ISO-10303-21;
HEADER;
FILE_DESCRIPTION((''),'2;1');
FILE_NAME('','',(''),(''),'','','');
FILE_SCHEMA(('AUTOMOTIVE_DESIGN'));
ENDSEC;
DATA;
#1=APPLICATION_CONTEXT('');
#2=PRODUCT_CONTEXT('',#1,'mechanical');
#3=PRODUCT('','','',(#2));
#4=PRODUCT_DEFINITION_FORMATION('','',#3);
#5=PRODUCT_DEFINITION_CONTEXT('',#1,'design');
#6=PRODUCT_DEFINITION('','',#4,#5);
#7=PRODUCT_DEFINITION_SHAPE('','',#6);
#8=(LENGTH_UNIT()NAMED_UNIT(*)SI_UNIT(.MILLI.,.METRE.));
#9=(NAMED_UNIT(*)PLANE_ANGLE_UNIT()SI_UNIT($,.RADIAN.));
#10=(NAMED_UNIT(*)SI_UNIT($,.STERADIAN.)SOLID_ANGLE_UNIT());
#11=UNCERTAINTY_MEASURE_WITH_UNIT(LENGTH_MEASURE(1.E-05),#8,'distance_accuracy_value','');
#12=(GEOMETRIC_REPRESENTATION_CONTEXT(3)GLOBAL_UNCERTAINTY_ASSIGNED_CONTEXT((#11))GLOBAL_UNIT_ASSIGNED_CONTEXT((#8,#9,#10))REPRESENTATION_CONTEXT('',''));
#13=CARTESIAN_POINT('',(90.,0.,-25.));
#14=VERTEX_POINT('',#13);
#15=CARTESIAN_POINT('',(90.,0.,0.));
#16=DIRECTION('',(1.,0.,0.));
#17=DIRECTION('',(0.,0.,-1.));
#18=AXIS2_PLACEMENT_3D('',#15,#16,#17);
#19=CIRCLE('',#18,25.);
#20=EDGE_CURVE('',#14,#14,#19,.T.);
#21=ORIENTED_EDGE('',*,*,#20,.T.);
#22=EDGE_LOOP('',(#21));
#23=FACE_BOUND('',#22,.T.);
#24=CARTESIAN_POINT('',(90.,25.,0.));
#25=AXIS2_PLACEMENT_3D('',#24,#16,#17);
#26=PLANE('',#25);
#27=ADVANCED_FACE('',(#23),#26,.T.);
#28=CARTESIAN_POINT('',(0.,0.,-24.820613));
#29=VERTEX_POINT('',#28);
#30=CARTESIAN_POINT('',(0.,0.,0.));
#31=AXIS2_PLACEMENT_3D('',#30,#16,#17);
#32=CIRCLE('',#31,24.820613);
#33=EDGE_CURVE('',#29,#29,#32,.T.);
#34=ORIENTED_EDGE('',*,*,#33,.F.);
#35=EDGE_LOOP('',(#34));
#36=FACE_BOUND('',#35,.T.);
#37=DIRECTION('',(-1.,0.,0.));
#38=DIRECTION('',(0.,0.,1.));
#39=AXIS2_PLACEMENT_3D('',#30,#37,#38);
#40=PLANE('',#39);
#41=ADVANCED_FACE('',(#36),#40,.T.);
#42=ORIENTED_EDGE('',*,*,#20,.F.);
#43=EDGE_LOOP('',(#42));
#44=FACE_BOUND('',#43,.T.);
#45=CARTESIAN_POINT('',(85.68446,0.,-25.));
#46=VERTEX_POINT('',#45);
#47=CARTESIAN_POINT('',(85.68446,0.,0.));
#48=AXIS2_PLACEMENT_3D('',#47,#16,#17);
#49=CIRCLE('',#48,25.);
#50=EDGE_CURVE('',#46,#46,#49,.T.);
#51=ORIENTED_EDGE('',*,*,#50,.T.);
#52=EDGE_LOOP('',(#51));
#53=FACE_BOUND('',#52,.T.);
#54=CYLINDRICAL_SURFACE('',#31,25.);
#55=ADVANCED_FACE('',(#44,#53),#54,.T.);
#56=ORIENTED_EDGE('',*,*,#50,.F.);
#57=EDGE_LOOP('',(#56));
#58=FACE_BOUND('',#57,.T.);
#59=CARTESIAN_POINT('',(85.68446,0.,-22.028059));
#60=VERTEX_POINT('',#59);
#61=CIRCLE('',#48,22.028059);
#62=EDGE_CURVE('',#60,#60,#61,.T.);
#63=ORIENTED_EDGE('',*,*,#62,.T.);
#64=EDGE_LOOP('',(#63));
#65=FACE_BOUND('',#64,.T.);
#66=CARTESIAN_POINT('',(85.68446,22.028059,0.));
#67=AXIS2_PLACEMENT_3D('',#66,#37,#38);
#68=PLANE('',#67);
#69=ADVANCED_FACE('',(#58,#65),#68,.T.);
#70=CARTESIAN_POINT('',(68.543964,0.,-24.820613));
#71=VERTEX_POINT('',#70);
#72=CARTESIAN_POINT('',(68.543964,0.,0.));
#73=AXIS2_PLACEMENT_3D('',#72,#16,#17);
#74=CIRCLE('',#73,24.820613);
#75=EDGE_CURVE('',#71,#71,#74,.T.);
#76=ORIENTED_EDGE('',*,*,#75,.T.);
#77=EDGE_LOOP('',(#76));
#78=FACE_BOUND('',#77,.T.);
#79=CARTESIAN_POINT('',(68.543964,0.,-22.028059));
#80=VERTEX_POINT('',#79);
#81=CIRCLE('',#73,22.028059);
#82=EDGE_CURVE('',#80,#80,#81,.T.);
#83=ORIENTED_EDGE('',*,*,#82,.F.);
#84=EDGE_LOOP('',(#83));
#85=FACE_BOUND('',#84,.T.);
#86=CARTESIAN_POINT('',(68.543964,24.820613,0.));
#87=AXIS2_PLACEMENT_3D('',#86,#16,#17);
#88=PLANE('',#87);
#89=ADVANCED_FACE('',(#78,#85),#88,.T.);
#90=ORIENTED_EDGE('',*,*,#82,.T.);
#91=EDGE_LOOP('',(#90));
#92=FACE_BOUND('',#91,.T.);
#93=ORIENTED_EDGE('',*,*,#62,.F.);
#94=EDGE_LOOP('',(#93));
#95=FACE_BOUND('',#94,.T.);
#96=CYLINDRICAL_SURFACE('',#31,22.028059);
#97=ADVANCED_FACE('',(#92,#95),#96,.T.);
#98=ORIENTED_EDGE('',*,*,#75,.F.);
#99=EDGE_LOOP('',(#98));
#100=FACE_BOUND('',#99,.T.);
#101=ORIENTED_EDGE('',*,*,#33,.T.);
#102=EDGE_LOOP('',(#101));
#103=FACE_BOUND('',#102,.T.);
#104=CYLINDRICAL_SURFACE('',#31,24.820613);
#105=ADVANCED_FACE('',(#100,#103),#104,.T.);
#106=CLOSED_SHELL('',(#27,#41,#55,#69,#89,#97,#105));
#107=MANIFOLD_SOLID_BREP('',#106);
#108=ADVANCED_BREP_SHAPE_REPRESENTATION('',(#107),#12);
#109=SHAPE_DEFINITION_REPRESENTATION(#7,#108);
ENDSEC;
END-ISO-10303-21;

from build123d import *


with BuildPart() as part:
    # Sketch1 → Revolve1 (revolve)
    with BuildSketch(Plane.XY, mode=Mode.PRIVATE) as revolve1_sk:
        Polygon((0, 0), (0, 24.820612545), (68.543963981, 24.820612545), (68.543963981, 22.028059354), (85.684459755, 22.028059354), (85.684459755, 25), (90, 25), (90, 0), align=None)
    revolve(revolve1_sk.sketch.rotate(Axis((0, 0, 0), (-1, 0, 0)), 90), axis=Axis((0, 0, 0), (-1, 0, 0)))


solid = part.part
